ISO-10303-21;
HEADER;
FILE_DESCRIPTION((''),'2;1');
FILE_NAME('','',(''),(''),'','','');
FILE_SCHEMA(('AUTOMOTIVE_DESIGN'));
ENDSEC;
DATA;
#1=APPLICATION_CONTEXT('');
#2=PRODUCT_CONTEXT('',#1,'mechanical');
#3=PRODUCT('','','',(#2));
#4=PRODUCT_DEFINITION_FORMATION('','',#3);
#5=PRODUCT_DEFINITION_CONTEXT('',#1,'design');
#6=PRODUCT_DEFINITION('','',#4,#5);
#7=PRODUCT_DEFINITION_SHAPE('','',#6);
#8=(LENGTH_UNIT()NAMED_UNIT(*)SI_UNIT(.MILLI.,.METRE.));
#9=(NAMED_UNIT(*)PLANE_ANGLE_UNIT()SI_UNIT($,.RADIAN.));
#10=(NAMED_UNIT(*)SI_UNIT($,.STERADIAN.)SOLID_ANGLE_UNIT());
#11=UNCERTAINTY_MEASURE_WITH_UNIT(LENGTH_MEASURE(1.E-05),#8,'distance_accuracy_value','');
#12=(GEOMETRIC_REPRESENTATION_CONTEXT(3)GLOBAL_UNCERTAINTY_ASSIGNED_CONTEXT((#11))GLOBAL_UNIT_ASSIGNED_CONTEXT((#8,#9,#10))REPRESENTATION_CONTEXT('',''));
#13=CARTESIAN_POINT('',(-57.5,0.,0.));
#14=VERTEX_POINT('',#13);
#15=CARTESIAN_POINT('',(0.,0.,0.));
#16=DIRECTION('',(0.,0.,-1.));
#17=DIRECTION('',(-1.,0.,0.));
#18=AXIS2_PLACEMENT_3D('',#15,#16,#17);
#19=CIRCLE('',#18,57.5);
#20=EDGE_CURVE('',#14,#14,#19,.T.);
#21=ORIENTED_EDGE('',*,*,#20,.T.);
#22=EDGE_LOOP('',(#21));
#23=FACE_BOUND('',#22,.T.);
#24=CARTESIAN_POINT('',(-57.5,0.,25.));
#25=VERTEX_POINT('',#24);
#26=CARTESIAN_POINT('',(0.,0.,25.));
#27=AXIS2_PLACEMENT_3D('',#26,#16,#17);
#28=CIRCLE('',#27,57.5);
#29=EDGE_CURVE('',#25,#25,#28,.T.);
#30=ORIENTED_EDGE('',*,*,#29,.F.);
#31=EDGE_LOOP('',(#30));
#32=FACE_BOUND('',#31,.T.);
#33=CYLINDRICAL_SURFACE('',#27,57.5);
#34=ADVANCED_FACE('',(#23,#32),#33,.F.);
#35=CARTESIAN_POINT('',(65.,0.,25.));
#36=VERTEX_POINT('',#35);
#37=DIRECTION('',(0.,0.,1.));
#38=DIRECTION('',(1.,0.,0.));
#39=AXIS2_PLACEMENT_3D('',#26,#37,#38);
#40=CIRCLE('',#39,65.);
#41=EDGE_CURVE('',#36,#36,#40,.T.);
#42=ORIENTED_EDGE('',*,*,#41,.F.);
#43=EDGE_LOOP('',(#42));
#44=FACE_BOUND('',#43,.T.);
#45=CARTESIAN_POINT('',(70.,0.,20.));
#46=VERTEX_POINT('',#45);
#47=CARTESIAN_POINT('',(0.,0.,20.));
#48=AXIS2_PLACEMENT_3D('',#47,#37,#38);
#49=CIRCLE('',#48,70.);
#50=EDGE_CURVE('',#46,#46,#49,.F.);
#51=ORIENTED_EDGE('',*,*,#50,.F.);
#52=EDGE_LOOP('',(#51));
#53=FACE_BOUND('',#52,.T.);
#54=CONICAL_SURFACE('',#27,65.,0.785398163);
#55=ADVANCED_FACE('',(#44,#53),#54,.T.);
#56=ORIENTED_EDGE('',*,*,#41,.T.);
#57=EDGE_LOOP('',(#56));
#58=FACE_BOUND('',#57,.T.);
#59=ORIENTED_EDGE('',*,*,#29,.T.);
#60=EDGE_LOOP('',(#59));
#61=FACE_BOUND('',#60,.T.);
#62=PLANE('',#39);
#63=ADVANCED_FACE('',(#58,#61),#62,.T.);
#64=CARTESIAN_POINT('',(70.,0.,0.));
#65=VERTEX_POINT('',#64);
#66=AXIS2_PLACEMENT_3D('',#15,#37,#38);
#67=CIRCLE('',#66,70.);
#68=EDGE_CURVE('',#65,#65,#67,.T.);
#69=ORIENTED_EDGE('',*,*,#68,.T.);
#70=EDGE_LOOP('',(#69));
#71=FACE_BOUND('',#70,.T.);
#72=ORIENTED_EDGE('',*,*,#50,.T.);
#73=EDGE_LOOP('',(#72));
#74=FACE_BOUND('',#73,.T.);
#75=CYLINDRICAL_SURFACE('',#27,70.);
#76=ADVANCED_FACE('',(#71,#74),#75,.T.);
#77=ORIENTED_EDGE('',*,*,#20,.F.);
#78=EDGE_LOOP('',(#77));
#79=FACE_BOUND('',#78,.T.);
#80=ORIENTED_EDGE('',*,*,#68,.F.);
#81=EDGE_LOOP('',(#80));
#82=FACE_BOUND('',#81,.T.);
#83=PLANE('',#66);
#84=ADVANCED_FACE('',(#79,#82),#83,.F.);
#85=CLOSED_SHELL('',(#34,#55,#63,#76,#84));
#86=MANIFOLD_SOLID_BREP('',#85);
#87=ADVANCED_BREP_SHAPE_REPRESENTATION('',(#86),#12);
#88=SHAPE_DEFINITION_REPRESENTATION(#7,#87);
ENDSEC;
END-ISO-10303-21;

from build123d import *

# Parameters (mm, degrees)
SKETCH_1_R          = 70
EXTRUDE_1_DEPTH     = 25
CHAMFER_1_SIZE      = 5
SKETCH_2_R          = 57.5
CUT_EXTRUDE_1_DEPTH = 103.102889283


with BuildPart() as part:
    # Эскиз1 → Бобышка-Вытянуть1 (new body)
    with BuildSketch(Plane.XY):
        Circle(SKETCH_1_R)
    extrude(amount=EXTRUDE_1_DEPTH)

    # Фаска1
    chamfer_1_edges = [part.edges().sort_by_distance(p)[0] for p in [
        (-70, 0, 25),
    ]]
    chamfer(chamfer_1_edges, length=CHAMFER_1_SIZE)

    # Эскиз2 → Вырез-Вытянуть1 (cut, through all)
    with BuildSketch(Plane(origin=(0, 0, 0), x_dir=(-1, 0, 0), z_dir=(0, 0, -1))):
        Circle(SKETCH_2_R)
    extrude(amount=-CUT_EXTRUDE_1_DEPTH, mode=Mode.SUBTRACT)


solid = part.part
